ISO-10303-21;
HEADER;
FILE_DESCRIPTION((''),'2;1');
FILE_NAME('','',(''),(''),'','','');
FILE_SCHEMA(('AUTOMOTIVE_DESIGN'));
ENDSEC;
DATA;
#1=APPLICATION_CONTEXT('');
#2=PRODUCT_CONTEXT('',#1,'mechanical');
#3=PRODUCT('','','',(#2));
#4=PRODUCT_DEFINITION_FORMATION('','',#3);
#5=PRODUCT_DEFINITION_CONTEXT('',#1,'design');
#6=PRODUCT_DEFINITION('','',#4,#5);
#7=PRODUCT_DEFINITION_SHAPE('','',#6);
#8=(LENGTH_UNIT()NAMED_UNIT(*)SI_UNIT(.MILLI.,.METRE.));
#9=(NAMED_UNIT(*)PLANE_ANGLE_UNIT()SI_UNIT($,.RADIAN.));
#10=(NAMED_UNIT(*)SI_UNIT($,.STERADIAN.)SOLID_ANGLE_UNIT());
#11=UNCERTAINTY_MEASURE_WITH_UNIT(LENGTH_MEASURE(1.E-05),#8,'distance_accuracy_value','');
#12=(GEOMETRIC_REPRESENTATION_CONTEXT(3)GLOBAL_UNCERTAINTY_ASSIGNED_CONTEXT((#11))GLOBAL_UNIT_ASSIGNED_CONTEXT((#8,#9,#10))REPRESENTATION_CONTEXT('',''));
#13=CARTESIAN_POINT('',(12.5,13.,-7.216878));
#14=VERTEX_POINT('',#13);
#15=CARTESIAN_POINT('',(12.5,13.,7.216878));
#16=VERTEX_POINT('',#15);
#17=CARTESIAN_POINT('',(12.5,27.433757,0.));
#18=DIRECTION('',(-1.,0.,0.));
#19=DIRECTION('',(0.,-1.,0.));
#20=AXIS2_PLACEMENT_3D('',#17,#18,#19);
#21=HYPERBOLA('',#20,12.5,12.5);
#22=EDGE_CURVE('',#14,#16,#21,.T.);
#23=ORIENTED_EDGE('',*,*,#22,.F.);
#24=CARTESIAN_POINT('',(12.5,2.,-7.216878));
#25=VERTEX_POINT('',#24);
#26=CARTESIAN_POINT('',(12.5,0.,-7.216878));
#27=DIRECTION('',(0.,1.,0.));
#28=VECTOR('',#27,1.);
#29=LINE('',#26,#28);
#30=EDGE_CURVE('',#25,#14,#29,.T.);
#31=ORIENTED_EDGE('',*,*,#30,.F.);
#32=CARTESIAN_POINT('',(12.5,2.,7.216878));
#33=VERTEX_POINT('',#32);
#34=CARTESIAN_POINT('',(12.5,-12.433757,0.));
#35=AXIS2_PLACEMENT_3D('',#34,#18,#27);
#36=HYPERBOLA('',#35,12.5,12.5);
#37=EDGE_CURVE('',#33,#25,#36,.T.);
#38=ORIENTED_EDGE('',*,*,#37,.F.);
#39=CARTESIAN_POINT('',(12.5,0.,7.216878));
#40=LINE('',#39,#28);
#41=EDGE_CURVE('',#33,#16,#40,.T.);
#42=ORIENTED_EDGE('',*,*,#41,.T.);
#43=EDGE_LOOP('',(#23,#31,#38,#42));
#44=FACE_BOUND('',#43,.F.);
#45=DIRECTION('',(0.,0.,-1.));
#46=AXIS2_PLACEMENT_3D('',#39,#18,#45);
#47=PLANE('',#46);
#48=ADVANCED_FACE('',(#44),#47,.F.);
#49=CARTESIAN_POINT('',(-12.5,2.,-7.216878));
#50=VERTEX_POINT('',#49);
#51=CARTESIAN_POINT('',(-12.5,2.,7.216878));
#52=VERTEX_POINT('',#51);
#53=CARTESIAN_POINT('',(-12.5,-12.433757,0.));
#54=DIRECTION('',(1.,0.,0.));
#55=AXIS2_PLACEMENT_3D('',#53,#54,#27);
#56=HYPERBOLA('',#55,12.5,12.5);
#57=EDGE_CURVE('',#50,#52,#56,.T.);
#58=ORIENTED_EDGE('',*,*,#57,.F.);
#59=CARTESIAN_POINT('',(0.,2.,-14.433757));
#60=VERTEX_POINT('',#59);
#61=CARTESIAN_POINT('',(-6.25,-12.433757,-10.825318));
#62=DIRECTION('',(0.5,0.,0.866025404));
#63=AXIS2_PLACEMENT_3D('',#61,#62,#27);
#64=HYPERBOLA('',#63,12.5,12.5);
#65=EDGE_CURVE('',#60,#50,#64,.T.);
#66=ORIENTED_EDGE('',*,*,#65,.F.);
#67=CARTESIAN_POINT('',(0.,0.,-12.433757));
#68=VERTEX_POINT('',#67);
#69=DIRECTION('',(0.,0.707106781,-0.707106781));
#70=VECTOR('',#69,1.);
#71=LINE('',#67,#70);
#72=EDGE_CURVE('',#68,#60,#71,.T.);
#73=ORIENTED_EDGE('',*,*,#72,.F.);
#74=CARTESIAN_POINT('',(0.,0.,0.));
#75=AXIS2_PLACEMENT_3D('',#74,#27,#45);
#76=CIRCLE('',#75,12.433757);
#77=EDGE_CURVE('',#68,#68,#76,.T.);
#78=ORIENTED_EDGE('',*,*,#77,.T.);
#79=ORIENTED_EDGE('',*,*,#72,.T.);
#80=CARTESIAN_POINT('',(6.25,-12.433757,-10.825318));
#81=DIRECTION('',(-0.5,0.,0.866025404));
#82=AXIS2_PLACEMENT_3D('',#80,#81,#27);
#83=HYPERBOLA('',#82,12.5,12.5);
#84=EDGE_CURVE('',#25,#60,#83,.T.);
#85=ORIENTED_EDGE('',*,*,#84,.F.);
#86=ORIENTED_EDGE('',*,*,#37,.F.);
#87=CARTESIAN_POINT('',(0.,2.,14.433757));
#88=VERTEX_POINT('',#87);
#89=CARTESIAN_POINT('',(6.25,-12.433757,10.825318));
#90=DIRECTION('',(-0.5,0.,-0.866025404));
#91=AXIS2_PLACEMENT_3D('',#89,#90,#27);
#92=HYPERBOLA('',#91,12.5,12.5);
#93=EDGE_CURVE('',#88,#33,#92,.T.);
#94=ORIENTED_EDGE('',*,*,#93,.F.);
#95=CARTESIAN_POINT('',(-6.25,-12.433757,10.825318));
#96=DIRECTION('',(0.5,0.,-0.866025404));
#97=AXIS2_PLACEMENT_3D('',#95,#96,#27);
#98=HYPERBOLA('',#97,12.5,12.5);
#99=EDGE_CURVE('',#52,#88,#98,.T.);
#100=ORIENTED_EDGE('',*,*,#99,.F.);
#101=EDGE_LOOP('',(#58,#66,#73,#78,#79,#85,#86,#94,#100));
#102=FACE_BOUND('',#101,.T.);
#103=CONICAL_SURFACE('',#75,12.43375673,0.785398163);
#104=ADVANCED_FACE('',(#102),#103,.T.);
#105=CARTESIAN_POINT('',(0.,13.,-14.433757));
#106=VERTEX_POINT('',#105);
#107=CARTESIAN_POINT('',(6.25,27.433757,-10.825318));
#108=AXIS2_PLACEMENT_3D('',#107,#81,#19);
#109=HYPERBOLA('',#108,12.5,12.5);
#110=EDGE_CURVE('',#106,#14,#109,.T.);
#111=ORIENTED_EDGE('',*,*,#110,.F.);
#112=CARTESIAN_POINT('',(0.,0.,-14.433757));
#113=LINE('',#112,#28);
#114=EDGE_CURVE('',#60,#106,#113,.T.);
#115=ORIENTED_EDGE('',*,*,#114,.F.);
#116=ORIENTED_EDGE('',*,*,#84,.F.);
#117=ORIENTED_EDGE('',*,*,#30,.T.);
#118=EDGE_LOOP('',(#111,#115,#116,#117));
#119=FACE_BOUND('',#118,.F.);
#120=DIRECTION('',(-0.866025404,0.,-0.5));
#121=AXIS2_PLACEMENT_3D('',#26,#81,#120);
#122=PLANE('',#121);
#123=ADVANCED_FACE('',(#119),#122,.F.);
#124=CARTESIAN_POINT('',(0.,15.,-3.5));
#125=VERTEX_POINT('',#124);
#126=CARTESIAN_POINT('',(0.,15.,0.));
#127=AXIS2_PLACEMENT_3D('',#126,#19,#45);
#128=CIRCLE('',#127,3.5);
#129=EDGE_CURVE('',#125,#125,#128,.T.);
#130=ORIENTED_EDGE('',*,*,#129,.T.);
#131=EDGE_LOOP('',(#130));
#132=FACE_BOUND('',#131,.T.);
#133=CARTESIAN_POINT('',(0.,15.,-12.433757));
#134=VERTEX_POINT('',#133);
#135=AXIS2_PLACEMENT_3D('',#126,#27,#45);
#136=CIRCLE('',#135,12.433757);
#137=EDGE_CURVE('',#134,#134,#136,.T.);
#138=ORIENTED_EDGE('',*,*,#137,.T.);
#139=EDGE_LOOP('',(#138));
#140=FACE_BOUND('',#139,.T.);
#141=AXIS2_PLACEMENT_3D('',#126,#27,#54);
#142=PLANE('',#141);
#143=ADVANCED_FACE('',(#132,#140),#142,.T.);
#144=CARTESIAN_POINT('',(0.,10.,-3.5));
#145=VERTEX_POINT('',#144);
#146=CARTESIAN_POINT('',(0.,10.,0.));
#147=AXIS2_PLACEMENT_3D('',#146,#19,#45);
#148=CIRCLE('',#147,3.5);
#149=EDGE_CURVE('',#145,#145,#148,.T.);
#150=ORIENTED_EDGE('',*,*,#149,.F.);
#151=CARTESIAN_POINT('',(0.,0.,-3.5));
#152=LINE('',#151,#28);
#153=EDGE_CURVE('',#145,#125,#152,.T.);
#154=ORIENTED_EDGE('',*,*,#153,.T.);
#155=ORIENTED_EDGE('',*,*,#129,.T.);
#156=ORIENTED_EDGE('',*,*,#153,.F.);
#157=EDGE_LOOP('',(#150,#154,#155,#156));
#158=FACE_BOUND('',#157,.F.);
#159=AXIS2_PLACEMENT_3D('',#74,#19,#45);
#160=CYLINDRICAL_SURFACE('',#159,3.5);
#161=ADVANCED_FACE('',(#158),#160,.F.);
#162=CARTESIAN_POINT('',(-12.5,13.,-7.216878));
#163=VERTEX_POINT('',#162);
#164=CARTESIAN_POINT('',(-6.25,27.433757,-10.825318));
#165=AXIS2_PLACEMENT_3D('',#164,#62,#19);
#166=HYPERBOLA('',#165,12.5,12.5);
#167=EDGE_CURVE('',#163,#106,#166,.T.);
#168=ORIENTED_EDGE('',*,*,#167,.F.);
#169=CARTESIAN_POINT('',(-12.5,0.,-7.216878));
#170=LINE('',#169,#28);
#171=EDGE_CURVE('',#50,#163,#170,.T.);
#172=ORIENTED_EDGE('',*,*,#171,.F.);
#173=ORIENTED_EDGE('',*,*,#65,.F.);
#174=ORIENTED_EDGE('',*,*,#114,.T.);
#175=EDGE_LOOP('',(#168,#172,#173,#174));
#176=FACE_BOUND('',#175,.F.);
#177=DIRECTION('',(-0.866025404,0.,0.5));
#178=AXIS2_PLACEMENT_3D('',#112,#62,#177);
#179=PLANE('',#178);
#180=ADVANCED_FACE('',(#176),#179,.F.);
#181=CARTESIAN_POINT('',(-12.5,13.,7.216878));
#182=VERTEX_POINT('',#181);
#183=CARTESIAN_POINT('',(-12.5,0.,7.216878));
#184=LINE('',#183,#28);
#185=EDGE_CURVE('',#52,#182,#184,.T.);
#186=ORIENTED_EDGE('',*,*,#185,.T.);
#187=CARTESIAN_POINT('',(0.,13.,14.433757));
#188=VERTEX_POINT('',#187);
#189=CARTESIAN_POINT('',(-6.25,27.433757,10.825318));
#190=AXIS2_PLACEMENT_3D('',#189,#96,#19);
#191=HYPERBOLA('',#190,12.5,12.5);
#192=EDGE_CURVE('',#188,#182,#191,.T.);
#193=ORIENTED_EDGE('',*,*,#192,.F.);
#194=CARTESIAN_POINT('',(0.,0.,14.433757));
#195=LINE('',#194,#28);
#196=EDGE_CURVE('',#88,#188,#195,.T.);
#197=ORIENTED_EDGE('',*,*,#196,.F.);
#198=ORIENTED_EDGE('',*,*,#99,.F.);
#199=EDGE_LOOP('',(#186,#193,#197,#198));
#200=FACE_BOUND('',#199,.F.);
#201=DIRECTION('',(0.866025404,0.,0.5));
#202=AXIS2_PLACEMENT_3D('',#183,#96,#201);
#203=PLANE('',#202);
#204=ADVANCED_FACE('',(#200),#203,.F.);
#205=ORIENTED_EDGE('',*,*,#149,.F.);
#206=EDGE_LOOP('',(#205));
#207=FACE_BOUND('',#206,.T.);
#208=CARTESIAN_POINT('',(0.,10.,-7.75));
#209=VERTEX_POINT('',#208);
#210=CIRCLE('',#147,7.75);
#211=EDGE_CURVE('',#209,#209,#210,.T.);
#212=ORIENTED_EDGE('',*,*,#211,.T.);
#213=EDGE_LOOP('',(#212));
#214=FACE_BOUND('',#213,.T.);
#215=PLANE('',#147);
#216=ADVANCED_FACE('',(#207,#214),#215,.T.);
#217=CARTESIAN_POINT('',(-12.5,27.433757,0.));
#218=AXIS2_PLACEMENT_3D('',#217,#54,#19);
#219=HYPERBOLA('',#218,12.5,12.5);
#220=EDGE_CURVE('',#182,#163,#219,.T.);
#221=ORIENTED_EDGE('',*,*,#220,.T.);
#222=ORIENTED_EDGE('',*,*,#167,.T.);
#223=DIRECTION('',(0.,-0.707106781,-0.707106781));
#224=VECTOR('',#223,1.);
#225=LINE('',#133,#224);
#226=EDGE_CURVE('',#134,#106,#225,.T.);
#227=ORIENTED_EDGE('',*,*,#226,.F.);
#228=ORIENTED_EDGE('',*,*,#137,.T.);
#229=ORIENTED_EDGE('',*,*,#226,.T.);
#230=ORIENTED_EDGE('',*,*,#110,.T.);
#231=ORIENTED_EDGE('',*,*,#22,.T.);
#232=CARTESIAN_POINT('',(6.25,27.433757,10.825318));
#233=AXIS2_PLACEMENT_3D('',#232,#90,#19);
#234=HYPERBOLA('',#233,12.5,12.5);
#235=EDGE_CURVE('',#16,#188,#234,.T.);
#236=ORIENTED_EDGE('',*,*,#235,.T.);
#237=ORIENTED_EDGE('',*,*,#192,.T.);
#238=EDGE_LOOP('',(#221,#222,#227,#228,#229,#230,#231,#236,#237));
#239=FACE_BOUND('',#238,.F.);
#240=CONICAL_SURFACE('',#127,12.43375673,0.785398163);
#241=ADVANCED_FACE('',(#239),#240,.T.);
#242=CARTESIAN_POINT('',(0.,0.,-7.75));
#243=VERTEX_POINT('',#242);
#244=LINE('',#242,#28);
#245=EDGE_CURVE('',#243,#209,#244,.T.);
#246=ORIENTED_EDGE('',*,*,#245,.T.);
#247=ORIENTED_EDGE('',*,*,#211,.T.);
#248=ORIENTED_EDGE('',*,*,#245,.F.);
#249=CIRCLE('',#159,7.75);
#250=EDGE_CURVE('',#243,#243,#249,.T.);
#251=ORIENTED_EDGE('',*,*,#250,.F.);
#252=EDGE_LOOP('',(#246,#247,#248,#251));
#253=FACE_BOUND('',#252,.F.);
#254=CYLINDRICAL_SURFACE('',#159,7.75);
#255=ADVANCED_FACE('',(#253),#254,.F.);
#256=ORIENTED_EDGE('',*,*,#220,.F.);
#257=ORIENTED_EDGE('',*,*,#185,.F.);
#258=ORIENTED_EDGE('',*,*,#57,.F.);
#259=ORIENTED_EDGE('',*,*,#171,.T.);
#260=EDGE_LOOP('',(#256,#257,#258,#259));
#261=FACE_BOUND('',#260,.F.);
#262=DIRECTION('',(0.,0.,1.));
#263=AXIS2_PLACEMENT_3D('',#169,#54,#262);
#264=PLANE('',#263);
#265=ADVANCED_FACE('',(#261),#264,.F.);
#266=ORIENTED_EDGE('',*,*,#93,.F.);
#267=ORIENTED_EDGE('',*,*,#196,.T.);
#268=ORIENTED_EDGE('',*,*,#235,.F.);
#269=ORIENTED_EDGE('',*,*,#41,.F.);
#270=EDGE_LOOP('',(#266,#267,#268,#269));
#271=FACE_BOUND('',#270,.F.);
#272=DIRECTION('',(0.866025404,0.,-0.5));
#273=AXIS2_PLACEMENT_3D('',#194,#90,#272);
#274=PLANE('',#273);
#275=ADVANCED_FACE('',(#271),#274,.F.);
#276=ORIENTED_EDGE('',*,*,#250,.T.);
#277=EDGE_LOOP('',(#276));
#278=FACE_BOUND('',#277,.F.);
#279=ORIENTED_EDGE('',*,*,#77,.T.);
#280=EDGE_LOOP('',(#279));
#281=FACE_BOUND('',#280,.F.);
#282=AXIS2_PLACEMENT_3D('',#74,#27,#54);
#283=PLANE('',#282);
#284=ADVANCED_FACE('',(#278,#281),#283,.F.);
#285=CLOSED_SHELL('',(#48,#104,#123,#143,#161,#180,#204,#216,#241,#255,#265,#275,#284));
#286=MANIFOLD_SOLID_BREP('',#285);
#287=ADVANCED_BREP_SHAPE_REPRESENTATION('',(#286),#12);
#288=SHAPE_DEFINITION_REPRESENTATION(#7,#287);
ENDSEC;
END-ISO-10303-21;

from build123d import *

# Parameters (mm, degrees)
BOSS_EXTRUDE1_DEPTH = 15
CUT_EXTRUDE2_REACH  = 26.281
SKETCH5_R           = 3.5
SKETCH8_R           = 7.75
CUT_EXTRUDE3_DEPTH  = 10


with BuildPart() as part:
    # Sketch2 → Boss-Extrude1 (new body)
    with BuildSketch(Plane(origin=(0, 0, 0), x_dir=(1, 0, 0), z_dir=(0, 1, 0))):
        Polygon((0, 14.43375673), (-12.5, 7.216878365), (-12.5, -7.216878365), (0, -14.43375673), (12.5, -7.216878365), (12.5, 7.216878365), align=None)
    extrude(amount=BOSS_EXTRUDE1_DEPTH)

    # Sketch3 → Cut-Revolve1 (revolve, cut)
    with BuildSketch(Plane(origin=(0, 0, 0), x_dir=(0, 0, -1), z_dir=(1, 0, 0))):
        Polygon((14.43375673, 15), (12.43375673, 15), (14.43375673, 13), align=None)
    cut_revolve1 = revolve(axis=Axis((0, 0, 0), (0, 1, 0)), mode=Mode.SUBTRACT)

    # Mirror1: Cut-Revolve1 across plane
    add(cut_revolve1.mirror(Plane.ZX.offset(7.5)), mode=Mode.SUBTRACT)

    # Sketch5 → Cut-Extrude2 (cut, up to next)
    with BuildSketch(Plane.XZ, mode=Mode.PRIVATE) as cut_extrude2_sk1:
        with Locations(Location((0, 0, 0), (0, 0, 270))):
            Circle(SKETCH5_R)
    cut_extrude2_tool1 = extrude(cut_extrude2_sk1.sketch, amount=-CUT_EXTRUDE2_REACH, mode=Mode.PRIVATE) & part.part
    add(cut_extrude2_tool1.solids().sort_by_distance((0, 0, 0))[0], mode=Mode.SUBTRACT)

    # Sketch8 → Cut-Extrude3 (cut)
    with BuildSketch(Plane.XZ):
        with Locations(Location((0, 0, 0), (0, 0, 270))):
            Circle(SKETCH8_R)
    extrude(amount=-CUT_EXTRUDE3_DEPTH, mode=Mode.SUBTRACT)


solid = part.part
